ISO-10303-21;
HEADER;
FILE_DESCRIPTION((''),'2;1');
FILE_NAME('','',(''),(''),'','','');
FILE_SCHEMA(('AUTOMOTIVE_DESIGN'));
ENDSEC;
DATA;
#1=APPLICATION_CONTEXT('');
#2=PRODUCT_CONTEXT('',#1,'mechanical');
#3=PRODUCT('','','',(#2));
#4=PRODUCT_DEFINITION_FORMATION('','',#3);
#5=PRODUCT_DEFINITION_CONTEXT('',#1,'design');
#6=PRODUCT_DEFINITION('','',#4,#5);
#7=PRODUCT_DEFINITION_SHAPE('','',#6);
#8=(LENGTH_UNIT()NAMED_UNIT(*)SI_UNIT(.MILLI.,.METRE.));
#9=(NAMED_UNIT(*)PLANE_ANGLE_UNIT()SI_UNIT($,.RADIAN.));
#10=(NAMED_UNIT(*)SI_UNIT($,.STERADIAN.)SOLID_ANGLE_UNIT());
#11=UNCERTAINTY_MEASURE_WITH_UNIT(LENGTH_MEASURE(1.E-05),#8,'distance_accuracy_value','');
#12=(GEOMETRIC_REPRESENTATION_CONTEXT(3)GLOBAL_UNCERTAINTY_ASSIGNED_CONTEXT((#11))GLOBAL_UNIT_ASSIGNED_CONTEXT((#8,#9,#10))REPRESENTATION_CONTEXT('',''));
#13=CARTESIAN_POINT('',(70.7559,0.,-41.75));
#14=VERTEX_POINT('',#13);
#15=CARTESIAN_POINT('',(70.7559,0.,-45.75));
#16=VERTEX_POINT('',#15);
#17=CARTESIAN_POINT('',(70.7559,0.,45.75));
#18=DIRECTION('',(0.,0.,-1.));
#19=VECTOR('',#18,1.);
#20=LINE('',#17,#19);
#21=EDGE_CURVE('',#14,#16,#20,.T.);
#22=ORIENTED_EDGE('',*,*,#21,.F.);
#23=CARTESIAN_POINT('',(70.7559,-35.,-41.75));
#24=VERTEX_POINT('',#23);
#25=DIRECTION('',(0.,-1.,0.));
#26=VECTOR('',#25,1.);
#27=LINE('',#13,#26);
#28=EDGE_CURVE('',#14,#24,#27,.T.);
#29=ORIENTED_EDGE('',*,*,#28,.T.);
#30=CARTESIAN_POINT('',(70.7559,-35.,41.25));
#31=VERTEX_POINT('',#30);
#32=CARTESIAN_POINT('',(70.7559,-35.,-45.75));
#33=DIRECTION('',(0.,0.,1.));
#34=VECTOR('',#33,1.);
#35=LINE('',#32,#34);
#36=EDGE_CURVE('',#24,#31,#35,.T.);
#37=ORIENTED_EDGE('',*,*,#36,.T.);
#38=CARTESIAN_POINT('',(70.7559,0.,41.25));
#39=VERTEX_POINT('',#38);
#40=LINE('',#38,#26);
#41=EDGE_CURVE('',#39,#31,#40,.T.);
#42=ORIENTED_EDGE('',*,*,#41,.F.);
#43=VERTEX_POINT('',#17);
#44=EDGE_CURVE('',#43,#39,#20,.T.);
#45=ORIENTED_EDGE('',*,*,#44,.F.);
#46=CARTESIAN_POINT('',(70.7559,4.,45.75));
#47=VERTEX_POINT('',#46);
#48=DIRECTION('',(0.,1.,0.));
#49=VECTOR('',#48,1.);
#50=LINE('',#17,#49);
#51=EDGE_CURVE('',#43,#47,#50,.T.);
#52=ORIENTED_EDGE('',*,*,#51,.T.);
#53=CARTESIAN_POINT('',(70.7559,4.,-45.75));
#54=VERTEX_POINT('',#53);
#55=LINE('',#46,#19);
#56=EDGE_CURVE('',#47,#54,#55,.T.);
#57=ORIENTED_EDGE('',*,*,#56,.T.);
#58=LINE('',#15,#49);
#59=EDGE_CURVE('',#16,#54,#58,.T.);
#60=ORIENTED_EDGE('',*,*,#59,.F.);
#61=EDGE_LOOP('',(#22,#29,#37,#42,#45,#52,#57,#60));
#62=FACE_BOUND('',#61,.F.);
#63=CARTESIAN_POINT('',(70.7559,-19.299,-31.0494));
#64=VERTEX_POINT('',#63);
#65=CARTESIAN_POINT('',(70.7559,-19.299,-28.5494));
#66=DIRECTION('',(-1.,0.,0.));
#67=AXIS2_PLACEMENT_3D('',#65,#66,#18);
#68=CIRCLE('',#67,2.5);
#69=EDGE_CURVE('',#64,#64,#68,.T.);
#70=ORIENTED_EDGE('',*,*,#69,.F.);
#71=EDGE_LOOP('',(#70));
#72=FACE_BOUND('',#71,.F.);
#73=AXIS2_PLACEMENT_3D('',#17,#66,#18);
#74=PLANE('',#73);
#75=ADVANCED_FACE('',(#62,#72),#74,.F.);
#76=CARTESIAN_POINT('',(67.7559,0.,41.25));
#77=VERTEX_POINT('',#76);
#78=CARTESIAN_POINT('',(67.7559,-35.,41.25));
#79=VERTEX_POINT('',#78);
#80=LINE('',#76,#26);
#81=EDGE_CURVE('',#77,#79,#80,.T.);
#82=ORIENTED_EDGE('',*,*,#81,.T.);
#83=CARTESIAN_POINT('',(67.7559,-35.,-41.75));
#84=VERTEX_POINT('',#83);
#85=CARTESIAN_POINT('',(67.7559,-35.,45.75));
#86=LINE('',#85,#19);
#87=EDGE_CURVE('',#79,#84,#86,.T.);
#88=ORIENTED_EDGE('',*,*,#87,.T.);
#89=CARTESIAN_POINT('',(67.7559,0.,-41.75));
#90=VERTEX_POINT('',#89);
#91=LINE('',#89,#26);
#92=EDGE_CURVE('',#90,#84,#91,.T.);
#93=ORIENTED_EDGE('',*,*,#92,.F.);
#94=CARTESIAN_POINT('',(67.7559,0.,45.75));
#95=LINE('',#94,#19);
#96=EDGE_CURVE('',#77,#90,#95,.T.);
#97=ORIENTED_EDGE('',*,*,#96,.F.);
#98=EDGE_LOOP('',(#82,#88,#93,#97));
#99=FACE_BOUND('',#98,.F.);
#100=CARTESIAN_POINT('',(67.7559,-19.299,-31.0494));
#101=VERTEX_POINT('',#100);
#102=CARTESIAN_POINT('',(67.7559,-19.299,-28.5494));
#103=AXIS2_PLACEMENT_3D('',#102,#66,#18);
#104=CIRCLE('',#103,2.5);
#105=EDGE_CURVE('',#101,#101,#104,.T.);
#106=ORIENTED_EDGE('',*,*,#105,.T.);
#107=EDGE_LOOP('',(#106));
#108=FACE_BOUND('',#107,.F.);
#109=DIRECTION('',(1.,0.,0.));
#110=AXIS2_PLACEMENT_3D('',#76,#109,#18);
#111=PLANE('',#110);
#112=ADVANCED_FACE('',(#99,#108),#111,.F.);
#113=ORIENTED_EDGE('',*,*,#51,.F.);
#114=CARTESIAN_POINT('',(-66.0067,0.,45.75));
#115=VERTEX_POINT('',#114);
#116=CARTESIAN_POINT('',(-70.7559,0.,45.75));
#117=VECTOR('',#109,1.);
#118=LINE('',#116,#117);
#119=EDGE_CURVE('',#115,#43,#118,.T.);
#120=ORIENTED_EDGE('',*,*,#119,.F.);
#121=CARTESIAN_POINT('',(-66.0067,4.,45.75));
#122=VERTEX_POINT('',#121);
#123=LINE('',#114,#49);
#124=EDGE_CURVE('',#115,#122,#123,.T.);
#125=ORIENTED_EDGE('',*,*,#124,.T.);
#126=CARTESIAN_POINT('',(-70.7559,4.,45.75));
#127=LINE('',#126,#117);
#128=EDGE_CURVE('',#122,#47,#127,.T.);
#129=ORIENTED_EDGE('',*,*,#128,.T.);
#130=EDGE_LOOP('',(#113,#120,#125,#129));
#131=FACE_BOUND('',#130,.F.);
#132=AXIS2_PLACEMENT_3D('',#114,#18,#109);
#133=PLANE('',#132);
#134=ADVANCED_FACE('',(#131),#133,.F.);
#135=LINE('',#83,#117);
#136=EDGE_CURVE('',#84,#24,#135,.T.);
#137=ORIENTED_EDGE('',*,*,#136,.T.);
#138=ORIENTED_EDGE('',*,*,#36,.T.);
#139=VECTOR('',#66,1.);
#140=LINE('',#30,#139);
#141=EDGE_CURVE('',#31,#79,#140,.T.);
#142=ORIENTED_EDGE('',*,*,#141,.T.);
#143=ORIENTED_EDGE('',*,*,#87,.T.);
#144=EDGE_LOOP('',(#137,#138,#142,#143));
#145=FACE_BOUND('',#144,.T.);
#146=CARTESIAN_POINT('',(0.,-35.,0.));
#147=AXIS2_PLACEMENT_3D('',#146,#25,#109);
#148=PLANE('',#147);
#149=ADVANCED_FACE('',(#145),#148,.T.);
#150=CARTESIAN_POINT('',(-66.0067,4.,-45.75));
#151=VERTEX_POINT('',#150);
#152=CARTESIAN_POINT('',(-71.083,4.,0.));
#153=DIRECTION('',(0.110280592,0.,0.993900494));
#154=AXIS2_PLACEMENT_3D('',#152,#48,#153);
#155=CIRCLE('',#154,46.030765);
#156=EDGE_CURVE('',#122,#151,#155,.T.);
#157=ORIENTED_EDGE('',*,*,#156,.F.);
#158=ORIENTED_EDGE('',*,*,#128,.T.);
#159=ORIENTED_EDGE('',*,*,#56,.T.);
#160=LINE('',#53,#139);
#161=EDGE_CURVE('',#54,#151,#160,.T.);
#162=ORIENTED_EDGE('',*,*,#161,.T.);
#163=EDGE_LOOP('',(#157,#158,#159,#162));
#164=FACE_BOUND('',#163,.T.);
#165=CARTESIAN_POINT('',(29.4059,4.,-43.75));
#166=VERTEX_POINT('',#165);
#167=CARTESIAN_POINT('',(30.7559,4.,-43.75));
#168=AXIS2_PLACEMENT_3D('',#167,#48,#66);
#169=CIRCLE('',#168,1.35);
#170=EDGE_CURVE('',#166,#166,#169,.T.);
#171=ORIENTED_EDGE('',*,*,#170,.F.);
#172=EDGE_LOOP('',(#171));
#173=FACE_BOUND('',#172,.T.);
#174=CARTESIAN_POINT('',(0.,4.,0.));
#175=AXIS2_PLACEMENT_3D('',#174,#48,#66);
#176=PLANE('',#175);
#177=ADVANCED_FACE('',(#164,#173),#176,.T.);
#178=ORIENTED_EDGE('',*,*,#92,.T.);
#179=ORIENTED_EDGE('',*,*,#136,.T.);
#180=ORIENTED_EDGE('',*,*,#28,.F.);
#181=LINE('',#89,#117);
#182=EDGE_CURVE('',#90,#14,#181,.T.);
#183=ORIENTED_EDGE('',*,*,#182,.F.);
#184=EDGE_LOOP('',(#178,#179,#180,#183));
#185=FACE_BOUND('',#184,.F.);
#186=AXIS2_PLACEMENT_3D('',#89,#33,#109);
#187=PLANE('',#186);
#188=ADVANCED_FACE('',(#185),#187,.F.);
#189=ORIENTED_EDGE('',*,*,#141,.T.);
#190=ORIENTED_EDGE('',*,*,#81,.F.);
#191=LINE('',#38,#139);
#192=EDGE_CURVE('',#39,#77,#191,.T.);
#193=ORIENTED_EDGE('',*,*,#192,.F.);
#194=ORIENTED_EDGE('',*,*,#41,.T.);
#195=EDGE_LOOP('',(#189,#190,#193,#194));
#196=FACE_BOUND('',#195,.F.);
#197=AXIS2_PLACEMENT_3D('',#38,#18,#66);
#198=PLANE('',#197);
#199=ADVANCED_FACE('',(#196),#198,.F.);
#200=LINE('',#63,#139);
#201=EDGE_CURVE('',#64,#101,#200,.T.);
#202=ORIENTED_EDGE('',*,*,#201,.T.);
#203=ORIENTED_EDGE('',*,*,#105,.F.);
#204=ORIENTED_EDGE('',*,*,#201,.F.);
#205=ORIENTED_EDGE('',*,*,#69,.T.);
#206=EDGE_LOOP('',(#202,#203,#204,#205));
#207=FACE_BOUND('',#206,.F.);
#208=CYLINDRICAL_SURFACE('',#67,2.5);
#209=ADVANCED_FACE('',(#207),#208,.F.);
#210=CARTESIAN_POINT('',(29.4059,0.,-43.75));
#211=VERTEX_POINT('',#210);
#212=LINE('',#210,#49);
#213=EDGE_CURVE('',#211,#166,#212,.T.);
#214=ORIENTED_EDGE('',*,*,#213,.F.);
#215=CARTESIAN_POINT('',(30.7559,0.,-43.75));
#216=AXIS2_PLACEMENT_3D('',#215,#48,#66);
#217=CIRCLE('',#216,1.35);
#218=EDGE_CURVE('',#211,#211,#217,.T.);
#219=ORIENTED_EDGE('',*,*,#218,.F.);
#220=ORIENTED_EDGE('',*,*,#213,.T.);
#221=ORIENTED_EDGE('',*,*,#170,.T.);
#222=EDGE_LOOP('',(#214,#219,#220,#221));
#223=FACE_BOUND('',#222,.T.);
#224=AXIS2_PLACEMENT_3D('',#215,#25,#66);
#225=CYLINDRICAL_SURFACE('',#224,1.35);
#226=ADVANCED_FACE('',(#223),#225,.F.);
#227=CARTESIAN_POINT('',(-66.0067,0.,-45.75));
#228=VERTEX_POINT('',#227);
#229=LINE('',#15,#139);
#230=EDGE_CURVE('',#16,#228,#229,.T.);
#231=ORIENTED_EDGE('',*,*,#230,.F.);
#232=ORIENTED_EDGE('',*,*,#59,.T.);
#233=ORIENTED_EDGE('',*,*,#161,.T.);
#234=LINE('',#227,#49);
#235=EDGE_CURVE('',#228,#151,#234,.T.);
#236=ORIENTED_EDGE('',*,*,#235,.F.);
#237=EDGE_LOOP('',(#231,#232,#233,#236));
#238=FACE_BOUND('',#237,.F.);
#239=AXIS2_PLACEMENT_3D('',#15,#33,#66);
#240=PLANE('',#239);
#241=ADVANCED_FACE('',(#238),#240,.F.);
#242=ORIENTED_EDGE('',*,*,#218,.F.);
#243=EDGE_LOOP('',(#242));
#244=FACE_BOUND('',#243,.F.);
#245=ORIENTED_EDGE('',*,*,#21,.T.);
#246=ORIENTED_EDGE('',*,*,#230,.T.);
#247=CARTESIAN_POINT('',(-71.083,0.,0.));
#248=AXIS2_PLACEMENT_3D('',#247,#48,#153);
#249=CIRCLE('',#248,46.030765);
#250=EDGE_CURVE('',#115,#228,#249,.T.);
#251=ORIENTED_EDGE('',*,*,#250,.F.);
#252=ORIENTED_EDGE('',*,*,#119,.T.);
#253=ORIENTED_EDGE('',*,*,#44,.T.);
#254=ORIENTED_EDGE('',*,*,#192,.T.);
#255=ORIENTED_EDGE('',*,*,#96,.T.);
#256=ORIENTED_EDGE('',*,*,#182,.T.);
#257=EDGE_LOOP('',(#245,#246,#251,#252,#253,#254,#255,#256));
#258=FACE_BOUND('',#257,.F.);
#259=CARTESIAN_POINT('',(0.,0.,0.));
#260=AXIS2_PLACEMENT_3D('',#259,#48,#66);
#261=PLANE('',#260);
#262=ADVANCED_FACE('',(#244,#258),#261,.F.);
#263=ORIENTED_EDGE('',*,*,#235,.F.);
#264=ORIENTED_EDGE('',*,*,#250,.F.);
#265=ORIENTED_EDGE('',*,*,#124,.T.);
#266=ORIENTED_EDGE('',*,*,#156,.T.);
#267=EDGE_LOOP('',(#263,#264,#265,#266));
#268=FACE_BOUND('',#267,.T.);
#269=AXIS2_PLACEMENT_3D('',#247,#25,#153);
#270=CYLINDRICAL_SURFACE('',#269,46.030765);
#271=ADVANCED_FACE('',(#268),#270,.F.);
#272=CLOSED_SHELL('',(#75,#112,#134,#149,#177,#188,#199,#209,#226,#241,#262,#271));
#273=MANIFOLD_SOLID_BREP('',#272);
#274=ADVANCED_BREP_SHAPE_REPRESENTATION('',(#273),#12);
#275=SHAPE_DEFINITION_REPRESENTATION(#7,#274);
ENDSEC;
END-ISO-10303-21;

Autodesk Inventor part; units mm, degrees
ref_plane "YZ Plane" through (0, 0, 0) normal (1, 0, 0) x (0, 1, 0)
ref_plane "XZ Plane" through (0, 0, 0) normal (0, 1, 0) x (-1, 0, 0)
ref_plane "XY Plane" through (0, 0, 0) normal (0, 0, 1) x (1, 0, 0)
sketch "Esboço1" plane through (0, 0, 0) normal (0, 1, 0) x (-1, 0, 0)
  line L0 (-70.7559, -45.75) -> (70.7559, -45.75)
  line L1 (70.7559, 45.75) -> (-70.7559, 45.75)
  line L2 (-70.7559, 45.75) -> (-70.7559, -45.75)
  line L3 (-70.7559, -45.75) -> (70.7559, 45.75) construction
  line L4 (70.7559, -45.75) -> (-70.7559, 45.75) construction
  arc A0 (66.0067, 45.75) -> (66.0067, -45.75) centre (71.083, 0) ccw
  circle A1 centre (-30.7559, -43.75) radius 1.35
  point P0 (0, 0)
  dimension "d3" = 2.7
  dimension "d4" = 2
  dimension "d5" = 40
  dimension "d15" = 91.5
extrude "Extrusão1" add sketch "Esboço1" along normal blind 4
sketch "Esboço2" plane through (0, 0, 0) normal (0, -1, 0) x (1, 0, 0)
  line L0 (-66.0067, 45.75) -> (70.7559, 45.75) projected
  line L1 (70.7559, -45.75) -> (-66.0067, -45.75) projected
  line L2 (70.7559, 45.75) -> (67.7559, 45.75)
  line L3 (67.7559, 45.75) -> (67.7559, -45.75)
  line L4 (67.7559, -45.75) -> (70.7559, -45.75)
  line L5 (70.7559, -45.75) -> (70.7559, 45.75)
  line L6 (67.7559, -41.75) -> (70.7559, -41.75)
  line L7 (70.7559, -41.75) -> (70.7559, 41.25)
  line L8 (70.7559, 41.25) -> (67.7559, 41.25)
  line L9 (67.7559, 41.25) -> (67.7559, -41.75)
  line L10 (67.7559, -41.75) -> (70.7559, 41.25) construction
  line L11 (70.7559, -41.75) -> (67.7559, 41.25) construction
  point P0 (0, 0)
  point P1 (69.2559, -0.25)
  point P2 (70.7559, 41.25)
  point P3 (67.7559, 41.25)
  point P4 (67.7559, -41.75)
  point P5 (70.7559, -41.75)
  point P6 (69.2559, -41.75)
  point P7 (69.2559, -45.75)
  point P8 (69.2559, 45.75)
  point P9 (69.2559, 41.25)
  dimension "d8" = 3
  dimension "d9" = 3
  dimension "d10" = 83
  dimension "d14" = 4.5
extrude "Extrusão2" add sketch "Esboço2" along normal blind 35 contours L8 L5 L6 L3
sketch "Esboço3" plane through (70.7559, 0, -45.75) normal (1, 0, 0) x (0, 0, -1)
  circle A0 centre (-17.2006, -19.299) radius 2.5
  point P0 (-45.75, 0)
  dimension "d16" = 5
hole "Furo1" at (70.7559, -19.299, -28.5494) direction (-1, 0, 0) diameter 5 end through all
properties part number "TAMPA_BASE"
